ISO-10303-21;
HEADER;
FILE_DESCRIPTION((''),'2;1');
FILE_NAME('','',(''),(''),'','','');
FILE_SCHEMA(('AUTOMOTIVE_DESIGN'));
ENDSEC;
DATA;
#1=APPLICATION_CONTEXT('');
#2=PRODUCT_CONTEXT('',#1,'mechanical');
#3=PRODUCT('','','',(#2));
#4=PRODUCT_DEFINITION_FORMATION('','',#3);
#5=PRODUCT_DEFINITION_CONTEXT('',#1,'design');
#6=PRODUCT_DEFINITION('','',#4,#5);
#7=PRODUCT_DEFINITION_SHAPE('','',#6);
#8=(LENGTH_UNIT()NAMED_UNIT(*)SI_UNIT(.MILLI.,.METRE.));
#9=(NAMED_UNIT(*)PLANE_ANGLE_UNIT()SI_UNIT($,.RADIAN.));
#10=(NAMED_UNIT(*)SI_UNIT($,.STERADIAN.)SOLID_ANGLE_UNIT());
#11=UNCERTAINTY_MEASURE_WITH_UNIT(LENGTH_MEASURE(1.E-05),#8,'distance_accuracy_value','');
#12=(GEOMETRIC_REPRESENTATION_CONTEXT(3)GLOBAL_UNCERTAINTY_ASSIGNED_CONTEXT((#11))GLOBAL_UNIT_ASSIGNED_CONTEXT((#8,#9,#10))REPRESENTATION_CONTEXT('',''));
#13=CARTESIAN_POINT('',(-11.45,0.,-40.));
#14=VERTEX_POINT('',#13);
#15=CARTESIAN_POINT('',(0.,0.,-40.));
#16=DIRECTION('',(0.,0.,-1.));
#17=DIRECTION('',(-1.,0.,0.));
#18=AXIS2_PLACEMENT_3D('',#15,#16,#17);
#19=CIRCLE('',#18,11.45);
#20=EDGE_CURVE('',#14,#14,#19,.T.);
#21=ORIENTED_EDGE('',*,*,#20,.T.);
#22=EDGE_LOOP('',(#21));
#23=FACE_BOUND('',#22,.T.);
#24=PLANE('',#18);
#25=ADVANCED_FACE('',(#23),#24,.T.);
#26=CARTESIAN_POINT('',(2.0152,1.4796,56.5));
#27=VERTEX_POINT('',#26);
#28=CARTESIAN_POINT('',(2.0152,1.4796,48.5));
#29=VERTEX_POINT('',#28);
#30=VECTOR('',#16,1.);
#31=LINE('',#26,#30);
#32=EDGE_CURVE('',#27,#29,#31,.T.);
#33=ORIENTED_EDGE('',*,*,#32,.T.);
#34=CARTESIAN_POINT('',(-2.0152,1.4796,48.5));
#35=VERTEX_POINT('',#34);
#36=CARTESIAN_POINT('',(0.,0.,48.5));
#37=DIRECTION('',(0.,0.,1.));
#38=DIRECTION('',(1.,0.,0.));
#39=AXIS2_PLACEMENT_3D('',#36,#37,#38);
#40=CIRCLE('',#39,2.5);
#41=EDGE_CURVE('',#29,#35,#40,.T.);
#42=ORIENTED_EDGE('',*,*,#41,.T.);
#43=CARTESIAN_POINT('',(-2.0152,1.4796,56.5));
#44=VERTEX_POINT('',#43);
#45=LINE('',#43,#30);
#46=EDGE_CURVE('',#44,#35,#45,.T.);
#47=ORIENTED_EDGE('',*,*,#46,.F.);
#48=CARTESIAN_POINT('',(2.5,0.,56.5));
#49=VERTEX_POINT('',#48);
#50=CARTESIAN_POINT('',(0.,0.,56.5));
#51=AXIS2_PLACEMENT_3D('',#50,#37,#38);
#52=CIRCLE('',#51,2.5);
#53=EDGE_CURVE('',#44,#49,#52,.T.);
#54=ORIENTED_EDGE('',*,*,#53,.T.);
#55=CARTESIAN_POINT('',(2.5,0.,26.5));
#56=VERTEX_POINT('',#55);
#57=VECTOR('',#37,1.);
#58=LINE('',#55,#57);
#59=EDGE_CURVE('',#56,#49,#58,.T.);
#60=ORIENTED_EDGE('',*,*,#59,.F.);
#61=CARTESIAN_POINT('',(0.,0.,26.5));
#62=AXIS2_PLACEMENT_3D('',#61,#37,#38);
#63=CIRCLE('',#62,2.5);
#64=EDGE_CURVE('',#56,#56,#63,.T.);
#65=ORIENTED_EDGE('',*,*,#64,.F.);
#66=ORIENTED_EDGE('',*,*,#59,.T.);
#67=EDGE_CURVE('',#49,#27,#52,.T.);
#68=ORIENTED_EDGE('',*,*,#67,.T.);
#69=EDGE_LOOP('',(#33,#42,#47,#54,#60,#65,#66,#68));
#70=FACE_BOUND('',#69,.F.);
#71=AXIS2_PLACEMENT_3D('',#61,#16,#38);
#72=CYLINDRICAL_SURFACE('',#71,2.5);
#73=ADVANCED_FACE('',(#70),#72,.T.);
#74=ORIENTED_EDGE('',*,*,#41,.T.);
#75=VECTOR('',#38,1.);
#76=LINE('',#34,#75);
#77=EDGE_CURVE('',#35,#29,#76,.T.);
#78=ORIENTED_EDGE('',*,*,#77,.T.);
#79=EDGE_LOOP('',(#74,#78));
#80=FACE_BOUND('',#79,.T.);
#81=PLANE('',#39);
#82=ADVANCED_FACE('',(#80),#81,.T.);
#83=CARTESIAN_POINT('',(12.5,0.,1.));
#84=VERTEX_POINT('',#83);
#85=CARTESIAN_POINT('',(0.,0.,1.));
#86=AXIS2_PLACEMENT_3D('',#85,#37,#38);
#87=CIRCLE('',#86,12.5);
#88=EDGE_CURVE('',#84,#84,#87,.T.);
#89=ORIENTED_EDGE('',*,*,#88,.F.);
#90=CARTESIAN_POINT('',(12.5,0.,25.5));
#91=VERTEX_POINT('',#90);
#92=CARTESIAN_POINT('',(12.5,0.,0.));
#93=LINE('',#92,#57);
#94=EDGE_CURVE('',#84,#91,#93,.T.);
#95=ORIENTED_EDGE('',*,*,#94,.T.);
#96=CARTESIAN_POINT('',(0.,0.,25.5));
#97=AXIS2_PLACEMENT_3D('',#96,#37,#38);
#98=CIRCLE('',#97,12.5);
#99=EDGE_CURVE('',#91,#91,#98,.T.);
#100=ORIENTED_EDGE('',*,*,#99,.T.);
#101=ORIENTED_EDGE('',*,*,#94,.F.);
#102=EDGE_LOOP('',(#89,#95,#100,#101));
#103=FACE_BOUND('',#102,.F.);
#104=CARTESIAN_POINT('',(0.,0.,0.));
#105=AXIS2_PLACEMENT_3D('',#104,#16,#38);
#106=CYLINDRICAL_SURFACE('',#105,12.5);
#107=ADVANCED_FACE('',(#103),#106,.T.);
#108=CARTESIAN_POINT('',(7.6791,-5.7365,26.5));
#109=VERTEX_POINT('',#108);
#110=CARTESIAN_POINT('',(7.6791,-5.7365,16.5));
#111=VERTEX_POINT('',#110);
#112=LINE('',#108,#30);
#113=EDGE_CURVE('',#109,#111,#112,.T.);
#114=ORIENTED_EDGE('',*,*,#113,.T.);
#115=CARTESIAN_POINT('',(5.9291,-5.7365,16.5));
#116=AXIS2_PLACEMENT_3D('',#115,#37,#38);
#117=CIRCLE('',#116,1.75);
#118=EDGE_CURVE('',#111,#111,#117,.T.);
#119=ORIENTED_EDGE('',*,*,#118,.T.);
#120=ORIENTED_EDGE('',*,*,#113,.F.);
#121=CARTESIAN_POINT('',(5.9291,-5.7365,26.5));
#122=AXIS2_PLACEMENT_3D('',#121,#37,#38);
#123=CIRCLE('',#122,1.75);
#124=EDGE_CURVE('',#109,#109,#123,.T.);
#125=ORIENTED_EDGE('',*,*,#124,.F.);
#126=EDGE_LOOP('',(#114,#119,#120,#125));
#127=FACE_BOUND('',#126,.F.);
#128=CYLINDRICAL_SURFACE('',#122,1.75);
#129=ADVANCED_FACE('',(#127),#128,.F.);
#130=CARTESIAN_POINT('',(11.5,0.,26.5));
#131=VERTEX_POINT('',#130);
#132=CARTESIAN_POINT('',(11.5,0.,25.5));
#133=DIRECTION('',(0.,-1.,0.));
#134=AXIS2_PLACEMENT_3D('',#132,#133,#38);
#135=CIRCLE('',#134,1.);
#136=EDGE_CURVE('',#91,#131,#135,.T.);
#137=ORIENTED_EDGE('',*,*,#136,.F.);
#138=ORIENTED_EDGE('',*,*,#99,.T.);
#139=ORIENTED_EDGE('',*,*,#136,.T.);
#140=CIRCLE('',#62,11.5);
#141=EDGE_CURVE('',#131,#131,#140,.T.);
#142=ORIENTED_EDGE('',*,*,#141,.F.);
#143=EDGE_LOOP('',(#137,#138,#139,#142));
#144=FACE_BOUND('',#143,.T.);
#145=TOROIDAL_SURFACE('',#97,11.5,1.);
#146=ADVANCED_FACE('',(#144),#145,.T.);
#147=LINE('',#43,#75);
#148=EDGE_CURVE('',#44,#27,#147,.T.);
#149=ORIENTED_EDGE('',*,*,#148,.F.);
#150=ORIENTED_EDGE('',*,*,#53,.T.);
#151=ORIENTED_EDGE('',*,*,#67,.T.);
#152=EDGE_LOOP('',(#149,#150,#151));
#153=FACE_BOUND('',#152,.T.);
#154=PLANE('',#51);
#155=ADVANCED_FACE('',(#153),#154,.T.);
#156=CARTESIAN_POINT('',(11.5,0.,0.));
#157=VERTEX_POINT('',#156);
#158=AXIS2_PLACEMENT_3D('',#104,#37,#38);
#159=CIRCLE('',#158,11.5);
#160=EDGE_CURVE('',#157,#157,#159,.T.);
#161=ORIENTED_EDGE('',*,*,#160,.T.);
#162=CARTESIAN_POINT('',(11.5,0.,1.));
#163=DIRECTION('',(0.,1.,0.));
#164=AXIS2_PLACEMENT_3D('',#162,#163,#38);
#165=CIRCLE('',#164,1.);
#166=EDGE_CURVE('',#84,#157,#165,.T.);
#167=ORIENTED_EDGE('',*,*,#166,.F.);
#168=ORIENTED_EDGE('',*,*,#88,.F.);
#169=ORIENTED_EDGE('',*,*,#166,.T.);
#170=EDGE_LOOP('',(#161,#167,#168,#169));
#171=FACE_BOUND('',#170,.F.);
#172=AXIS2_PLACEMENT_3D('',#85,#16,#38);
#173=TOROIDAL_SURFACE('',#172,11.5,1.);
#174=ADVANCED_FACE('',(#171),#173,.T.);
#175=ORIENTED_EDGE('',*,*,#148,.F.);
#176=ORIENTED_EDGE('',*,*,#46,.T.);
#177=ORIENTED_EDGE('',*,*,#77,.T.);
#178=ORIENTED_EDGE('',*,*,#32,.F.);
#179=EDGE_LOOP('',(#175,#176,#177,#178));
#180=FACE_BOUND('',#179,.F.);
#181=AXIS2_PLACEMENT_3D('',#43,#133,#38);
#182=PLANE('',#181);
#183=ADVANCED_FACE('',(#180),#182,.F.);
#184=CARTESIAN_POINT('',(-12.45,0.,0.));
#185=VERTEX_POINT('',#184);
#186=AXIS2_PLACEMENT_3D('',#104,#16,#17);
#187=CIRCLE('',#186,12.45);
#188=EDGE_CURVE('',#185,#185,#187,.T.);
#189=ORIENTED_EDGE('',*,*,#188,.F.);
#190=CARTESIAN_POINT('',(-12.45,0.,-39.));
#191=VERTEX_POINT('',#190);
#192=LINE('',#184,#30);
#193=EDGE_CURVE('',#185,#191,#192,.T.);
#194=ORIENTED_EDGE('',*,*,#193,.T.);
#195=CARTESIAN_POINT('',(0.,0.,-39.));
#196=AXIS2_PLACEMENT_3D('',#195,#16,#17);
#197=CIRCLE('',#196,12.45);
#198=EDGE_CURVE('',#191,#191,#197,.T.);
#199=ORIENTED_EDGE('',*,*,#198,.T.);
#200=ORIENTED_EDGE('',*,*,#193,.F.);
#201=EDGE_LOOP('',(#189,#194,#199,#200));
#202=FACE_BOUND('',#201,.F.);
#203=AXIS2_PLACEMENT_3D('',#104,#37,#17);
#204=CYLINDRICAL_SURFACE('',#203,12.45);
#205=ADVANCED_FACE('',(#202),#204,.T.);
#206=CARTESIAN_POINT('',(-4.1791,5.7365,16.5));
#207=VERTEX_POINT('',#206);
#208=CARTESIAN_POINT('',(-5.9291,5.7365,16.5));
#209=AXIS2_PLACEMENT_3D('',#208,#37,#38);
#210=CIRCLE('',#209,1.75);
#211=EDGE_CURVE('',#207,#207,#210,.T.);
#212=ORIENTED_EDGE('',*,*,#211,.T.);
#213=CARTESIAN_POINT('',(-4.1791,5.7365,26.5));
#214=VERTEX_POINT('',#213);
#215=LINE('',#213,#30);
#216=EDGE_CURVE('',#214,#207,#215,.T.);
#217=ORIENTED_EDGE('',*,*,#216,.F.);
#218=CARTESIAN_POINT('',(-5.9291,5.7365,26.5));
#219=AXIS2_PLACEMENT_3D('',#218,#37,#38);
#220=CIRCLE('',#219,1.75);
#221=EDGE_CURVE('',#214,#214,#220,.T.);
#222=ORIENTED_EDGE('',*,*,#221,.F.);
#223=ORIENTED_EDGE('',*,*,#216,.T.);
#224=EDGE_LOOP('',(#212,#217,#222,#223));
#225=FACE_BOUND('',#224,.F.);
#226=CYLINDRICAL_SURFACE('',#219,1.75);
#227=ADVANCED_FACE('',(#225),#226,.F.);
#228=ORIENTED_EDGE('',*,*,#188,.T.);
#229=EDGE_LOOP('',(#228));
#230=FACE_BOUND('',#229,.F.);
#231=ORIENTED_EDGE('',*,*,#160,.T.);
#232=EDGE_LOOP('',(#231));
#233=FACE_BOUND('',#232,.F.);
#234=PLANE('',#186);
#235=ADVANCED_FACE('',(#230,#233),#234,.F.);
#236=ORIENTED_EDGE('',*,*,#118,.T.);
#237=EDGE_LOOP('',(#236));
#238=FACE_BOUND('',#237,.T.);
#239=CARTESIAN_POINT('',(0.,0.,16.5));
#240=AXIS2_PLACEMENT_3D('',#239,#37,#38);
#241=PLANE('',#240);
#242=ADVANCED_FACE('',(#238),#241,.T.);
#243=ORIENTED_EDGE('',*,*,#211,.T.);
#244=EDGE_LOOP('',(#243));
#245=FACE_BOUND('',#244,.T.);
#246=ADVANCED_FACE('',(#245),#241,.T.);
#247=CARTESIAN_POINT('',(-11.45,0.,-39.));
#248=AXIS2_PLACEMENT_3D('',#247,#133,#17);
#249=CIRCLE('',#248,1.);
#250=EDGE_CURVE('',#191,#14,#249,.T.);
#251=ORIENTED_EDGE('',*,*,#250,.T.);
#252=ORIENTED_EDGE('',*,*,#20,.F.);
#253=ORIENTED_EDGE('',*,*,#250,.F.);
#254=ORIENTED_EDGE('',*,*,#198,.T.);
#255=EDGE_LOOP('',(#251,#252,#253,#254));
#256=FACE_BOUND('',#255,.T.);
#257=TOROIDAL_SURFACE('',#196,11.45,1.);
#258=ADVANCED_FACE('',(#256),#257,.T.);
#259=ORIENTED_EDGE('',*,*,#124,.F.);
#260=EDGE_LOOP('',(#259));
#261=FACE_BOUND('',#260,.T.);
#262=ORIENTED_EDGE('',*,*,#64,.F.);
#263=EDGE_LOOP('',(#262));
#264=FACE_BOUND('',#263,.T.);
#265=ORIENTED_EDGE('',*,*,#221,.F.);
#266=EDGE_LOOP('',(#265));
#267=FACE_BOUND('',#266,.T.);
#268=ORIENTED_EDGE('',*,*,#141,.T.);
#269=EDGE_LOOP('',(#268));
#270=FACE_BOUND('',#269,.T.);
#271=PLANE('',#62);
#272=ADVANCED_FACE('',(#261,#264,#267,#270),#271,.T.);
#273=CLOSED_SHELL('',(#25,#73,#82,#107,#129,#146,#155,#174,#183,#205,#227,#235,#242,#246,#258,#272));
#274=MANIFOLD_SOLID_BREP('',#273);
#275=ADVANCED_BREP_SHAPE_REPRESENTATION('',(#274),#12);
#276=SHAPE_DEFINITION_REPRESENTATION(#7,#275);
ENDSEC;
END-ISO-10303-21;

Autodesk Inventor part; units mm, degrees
ref_plane "YZ Plane" through (0, 0, 0) normal (1, 0, 0) x (0, 1, 0)
ref_plane "XZ Plane" through (0, 0, 0) normal (0, 1, 0) x (-1, 0, 0)
ref_plane "XY Plane" through (0, 0, 0) normal (0, 0, 1) x (1, 0, 0)
sketch "Sketch1" plane through (0, 0, 0) normal (0, 0, 1) x (1, 0, 0)
  circle A0 centre (0, 0) radius 12.5
  dimension "d0" = 25
extrude "Extrusion1" add sketch "Sketch1" along normal blind 26.5
fillet "Fillet1" radius 1 2 edges at (-12.5, 0, 26.5) (-12.5, 0, 0)
sketch "Sketch2" plane through (0, 0, 26.5) normal (0, 0, 1) x (1, 0, 0)
  circle A0 centre (-5.9291, 5.7365) radius 1.75
  line L0 (-5.9291, 5.7365) -> (0, 0) construction
  line L1 (0, 0) -> (5.9291, -5.7365) construction
  circle A1 centre (5.9291, -5.7365) radius 1.75
  dimension "d5" = 3.5
  dimension "d6" = 3.5
  dimension "d7" = 16.5
extrude "Extrusion2" cut sketch "Sketch2" against normal blind 10
sketch "Sketch3" plane through (0, 0, 0) normal (0, 0, -1) x (-1, 0, 0)
  circle A0 centre (0, 0) radius 12.45
  dimension "d10" = 24.9
extrude "Extrusion3" add sketch "Sketch3" along normal blind 40
sketch "Sketch4" plane through (0, 0, 26.5) normal (0, 0, 1) x (1, 0, 0)
  circle A0 centre (0, 0) radius 2.5
  dimension "d13" = 5
extrude "Extrusion4" add sketch "Sketch4" along normal blind 30
sketch "Sketch5" plane through (0, 0, 56.5) normal (0, 0, 1) x (1, 0, 0)
  circle A0 centre (0, 0) radius 2.5 projected
  line L0 (-2.0152, 1.4796) -> (2.0152, 1.4796)
  arc A1 (2.0152, 1.4796) -> (-2.0152, 1.4796) centre (0, 0) ccw
extrude "Extrusion5" cut sketch "Sketch5" against normal blind 8 contours L0 A0 picked at (0.5388, 1.6221)
fillet "Fillet2" radius 1 1 edges at (12.45, 0, -40)
properties part number "platform_motor"
